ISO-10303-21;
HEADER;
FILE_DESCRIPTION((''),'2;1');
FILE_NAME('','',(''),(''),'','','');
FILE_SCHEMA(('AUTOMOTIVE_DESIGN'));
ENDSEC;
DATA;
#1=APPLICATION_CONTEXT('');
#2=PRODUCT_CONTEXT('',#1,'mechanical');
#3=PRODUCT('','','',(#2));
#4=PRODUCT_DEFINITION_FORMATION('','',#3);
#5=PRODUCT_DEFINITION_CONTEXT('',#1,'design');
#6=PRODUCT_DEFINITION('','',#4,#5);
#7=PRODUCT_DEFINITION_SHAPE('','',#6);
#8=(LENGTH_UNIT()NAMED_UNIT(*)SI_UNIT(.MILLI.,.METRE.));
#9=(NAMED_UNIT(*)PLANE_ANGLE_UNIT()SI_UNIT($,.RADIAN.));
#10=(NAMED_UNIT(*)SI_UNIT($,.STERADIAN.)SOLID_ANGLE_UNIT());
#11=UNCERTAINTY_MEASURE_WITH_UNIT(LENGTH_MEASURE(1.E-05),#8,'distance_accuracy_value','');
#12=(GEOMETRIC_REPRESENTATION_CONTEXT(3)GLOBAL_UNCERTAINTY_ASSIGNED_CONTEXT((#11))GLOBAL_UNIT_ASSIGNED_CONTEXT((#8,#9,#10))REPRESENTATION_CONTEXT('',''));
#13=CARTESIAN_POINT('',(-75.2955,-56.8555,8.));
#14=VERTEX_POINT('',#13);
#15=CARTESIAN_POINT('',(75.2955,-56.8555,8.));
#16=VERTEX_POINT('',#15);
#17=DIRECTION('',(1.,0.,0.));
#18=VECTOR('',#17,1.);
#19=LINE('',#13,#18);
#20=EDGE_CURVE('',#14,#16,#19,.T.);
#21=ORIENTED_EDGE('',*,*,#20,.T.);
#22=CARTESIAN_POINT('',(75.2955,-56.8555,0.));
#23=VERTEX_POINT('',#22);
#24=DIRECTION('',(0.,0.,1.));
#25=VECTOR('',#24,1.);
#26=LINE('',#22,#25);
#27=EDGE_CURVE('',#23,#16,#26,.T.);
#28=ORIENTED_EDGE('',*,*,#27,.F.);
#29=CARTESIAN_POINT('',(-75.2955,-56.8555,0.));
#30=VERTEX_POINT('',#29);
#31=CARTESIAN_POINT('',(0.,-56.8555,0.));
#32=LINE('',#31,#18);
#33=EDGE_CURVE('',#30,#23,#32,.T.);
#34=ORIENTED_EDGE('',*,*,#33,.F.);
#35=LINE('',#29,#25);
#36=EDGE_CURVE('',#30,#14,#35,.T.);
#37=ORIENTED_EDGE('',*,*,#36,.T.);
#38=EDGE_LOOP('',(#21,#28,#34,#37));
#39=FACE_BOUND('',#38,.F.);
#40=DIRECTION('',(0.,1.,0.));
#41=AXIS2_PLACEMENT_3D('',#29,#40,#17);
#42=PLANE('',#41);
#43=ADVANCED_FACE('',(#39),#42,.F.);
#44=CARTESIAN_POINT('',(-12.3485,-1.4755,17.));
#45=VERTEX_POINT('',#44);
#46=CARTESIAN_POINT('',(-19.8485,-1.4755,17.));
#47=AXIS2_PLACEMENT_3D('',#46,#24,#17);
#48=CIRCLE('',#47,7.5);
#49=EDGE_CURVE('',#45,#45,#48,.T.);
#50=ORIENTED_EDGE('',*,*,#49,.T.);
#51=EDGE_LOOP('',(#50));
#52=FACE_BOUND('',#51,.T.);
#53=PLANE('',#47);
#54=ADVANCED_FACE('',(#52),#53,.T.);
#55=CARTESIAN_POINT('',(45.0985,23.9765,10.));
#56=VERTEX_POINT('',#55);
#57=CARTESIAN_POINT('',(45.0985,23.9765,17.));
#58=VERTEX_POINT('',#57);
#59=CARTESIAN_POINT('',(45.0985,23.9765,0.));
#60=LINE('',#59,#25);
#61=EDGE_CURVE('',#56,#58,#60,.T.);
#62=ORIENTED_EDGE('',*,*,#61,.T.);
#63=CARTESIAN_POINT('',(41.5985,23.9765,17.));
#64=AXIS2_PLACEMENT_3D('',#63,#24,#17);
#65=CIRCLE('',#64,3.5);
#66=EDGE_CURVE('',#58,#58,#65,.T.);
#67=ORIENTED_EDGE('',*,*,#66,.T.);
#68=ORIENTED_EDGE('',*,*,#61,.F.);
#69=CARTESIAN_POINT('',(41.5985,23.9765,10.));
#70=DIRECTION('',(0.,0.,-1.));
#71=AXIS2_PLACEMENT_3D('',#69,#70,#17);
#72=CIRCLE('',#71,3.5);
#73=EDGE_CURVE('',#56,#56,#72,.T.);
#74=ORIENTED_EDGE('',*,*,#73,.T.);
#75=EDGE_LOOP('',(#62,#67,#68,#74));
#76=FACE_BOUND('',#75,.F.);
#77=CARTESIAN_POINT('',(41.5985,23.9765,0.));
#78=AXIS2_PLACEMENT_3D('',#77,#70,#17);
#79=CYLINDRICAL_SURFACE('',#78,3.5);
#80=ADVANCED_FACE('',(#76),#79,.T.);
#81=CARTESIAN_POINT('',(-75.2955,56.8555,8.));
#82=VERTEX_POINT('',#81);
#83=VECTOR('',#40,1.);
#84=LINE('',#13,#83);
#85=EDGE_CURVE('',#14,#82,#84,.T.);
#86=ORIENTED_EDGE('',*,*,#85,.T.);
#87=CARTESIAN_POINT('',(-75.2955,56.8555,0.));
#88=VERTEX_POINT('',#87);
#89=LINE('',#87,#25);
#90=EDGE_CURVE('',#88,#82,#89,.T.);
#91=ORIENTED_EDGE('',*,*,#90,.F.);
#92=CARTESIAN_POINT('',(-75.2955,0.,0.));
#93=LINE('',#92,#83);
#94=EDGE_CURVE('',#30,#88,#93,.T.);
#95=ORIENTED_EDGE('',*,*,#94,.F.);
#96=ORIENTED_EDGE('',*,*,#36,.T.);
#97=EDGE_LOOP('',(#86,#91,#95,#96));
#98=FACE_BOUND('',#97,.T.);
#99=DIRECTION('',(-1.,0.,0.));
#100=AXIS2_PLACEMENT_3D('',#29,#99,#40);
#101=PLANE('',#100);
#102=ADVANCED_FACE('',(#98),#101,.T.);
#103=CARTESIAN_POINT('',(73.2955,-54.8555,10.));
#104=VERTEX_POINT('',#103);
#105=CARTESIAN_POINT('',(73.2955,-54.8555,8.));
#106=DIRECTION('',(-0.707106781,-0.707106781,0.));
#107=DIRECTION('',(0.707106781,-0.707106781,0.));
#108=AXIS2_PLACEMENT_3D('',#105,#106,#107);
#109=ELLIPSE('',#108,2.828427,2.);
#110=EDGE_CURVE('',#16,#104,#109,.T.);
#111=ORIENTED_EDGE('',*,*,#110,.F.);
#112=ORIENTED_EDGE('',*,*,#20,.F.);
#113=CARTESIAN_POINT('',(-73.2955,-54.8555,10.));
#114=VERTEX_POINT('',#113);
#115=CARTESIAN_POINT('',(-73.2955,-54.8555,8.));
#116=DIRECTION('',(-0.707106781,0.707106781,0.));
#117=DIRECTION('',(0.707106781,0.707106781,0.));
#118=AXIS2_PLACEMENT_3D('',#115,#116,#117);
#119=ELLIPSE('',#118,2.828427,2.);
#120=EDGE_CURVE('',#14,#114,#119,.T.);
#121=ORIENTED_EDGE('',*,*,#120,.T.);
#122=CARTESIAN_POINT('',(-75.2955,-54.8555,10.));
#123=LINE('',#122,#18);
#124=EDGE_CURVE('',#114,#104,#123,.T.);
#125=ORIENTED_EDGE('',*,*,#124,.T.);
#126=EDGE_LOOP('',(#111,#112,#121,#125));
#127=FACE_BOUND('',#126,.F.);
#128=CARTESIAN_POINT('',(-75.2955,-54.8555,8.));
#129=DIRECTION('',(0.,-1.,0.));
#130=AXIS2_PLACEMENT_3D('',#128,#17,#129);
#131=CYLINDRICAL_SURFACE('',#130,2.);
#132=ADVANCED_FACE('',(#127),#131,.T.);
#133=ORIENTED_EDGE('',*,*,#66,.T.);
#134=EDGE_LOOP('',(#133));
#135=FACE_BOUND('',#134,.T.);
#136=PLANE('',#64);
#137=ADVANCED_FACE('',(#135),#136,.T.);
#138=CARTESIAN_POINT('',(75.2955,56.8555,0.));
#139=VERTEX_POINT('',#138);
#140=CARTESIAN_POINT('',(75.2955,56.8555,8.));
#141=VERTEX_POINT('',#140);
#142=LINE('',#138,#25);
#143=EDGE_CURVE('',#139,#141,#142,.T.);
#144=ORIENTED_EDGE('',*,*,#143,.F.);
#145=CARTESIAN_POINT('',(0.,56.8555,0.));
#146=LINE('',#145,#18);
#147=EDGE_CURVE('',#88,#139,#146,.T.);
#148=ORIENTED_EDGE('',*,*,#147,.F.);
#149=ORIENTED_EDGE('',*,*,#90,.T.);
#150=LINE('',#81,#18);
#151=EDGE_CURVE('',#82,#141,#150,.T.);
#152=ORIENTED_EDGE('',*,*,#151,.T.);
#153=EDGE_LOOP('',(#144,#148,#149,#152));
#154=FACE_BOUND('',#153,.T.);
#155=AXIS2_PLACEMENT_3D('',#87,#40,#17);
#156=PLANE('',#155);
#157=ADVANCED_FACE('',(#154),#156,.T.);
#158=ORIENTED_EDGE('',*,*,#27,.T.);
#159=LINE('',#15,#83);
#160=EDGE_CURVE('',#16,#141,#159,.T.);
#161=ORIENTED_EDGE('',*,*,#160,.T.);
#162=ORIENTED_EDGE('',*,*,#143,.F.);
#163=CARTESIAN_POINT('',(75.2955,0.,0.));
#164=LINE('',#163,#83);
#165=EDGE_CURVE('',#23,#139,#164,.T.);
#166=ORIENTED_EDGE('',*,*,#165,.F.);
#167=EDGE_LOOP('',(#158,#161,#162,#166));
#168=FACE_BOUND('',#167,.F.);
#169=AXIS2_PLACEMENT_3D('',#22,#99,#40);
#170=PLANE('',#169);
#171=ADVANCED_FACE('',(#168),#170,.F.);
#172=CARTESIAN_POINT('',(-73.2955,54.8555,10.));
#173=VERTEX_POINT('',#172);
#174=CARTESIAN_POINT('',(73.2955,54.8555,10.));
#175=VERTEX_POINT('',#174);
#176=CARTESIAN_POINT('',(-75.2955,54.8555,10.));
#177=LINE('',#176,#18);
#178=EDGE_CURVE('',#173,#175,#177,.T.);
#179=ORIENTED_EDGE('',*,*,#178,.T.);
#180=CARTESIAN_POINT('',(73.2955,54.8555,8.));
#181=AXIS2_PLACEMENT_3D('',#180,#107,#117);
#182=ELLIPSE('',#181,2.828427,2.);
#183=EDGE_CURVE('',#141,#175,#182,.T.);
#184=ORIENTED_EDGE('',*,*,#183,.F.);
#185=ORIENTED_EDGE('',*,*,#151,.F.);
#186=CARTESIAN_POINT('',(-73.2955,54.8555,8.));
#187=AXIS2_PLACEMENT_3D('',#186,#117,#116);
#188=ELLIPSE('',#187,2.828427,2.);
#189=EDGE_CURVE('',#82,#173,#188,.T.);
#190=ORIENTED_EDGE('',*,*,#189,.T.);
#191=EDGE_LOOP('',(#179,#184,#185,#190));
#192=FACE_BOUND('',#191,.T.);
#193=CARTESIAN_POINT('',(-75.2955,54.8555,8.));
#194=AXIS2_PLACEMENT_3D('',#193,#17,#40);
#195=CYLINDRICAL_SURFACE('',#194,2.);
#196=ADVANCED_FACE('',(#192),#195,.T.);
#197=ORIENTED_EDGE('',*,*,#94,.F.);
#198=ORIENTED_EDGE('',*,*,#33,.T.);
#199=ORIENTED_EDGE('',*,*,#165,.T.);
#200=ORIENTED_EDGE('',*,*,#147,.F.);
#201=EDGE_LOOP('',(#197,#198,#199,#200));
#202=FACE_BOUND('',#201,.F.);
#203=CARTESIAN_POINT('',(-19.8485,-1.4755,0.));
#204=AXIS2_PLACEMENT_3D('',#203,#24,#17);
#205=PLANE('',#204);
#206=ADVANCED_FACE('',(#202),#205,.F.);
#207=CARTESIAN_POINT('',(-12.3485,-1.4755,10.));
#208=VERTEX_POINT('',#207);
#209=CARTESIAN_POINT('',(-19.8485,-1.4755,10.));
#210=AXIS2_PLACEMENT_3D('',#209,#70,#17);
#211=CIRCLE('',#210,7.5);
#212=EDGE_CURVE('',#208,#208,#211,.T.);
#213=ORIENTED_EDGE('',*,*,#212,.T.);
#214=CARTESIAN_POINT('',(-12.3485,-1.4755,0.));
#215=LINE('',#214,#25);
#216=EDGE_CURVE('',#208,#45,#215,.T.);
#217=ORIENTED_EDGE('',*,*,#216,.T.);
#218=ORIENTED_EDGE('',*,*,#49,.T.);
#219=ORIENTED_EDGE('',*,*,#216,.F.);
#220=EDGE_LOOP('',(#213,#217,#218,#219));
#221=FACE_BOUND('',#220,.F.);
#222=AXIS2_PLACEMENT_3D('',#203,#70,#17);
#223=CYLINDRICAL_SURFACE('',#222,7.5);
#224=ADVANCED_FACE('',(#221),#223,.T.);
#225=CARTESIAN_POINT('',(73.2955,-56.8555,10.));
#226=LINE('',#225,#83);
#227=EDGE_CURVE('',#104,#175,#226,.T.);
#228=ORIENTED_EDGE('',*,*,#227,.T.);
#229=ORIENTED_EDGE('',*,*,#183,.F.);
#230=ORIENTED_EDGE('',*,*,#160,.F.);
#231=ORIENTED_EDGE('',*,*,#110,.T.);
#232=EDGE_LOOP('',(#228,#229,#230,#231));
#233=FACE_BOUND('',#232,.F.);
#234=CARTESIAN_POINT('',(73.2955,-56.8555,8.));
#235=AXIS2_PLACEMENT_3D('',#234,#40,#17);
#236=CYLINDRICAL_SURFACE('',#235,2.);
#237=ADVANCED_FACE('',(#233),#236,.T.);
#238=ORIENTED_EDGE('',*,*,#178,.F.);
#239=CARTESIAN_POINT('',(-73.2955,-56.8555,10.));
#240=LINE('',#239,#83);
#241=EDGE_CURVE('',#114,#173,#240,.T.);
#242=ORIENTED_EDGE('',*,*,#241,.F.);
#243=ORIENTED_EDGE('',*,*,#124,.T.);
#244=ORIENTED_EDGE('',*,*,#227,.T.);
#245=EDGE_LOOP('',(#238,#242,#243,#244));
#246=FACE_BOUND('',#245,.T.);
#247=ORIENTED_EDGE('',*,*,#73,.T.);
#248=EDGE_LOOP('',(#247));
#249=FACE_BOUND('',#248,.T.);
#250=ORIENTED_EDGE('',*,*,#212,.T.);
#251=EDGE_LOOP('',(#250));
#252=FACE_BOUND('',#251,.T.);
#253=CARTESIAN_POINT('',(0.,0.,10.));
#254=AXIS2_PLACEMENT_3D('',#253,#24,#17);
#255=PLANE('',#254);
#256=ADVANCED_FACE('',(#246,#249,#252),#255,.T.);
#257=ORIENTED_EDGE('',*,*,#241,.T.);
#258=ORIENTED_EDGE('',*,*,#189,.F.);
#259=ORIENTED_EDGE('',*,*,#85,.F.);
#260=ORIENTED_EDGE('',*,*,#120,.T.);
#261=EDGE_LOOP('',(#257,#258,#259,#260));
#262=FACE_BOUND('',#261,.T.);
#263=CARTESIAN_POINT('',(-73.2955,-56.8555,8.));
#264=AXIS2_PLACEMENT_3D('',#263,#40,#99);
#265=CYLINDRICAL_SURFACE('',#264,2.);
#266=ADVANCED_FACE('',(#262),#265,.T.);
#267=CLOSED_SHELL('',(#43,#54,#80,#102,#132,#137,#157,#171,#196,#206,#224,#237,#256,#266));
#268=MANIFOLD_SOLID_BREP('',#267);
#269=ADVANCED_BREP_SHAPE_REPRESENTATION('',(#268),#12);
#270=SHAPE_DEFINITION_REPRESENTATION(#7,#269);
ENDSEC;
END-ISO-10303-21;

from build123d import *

# Parameters (mm, degrees)
F0_W     = 150.591
F0_H     = 113.711
F0_R     = 7.5
F0_R_2   = 3.5
F1_DEPTH = 10
F2_R     = 2
F3_DEPTH = 17


with BuildPart() as f1:
    # F0 (on Top) → F1 (new body)
    with BuildSketch(Plane.XY):
        Rectangle(F0_W, F0_H)
        with Locations((-19.8485, -1.4755)):
            Circle(F0_R, mode=Mode.SUBTRACT)
        with Locations((41.5985, 23.9765)):
            Circle(F0_R_2, mode=Mode.SUBTRACT)
        with Locations((-19.8485, -1.4755)):
            Circle(F0_R)
        with Locations((41.5985, 23.9765)):
            Circle(F0_R_2)
    extrude(amount=F1_DEPTH)

    # F2
    f2_edges = [f1.edges().sort_by_distance(p)[0] for p in [
        (0, -56.8555, 10),
        (-75.2955, 0, 10),
        (0, 56.8555, 10),
        (75.2955, 0, 10),
    ]]
    fillet(f2_edges, radius=F2_R)

    # F0 (on Top) → F3 (join)
    with BuildSketch(Plane.XY):
        with Locations((-19.8485, -1.4755)):
            Circle(F0_R)
        with Locations((41.5985, 23.9765)):
            Circle(F0_R_2)
    extrude(amount=F3_DEPTH)


solid = f1.part
